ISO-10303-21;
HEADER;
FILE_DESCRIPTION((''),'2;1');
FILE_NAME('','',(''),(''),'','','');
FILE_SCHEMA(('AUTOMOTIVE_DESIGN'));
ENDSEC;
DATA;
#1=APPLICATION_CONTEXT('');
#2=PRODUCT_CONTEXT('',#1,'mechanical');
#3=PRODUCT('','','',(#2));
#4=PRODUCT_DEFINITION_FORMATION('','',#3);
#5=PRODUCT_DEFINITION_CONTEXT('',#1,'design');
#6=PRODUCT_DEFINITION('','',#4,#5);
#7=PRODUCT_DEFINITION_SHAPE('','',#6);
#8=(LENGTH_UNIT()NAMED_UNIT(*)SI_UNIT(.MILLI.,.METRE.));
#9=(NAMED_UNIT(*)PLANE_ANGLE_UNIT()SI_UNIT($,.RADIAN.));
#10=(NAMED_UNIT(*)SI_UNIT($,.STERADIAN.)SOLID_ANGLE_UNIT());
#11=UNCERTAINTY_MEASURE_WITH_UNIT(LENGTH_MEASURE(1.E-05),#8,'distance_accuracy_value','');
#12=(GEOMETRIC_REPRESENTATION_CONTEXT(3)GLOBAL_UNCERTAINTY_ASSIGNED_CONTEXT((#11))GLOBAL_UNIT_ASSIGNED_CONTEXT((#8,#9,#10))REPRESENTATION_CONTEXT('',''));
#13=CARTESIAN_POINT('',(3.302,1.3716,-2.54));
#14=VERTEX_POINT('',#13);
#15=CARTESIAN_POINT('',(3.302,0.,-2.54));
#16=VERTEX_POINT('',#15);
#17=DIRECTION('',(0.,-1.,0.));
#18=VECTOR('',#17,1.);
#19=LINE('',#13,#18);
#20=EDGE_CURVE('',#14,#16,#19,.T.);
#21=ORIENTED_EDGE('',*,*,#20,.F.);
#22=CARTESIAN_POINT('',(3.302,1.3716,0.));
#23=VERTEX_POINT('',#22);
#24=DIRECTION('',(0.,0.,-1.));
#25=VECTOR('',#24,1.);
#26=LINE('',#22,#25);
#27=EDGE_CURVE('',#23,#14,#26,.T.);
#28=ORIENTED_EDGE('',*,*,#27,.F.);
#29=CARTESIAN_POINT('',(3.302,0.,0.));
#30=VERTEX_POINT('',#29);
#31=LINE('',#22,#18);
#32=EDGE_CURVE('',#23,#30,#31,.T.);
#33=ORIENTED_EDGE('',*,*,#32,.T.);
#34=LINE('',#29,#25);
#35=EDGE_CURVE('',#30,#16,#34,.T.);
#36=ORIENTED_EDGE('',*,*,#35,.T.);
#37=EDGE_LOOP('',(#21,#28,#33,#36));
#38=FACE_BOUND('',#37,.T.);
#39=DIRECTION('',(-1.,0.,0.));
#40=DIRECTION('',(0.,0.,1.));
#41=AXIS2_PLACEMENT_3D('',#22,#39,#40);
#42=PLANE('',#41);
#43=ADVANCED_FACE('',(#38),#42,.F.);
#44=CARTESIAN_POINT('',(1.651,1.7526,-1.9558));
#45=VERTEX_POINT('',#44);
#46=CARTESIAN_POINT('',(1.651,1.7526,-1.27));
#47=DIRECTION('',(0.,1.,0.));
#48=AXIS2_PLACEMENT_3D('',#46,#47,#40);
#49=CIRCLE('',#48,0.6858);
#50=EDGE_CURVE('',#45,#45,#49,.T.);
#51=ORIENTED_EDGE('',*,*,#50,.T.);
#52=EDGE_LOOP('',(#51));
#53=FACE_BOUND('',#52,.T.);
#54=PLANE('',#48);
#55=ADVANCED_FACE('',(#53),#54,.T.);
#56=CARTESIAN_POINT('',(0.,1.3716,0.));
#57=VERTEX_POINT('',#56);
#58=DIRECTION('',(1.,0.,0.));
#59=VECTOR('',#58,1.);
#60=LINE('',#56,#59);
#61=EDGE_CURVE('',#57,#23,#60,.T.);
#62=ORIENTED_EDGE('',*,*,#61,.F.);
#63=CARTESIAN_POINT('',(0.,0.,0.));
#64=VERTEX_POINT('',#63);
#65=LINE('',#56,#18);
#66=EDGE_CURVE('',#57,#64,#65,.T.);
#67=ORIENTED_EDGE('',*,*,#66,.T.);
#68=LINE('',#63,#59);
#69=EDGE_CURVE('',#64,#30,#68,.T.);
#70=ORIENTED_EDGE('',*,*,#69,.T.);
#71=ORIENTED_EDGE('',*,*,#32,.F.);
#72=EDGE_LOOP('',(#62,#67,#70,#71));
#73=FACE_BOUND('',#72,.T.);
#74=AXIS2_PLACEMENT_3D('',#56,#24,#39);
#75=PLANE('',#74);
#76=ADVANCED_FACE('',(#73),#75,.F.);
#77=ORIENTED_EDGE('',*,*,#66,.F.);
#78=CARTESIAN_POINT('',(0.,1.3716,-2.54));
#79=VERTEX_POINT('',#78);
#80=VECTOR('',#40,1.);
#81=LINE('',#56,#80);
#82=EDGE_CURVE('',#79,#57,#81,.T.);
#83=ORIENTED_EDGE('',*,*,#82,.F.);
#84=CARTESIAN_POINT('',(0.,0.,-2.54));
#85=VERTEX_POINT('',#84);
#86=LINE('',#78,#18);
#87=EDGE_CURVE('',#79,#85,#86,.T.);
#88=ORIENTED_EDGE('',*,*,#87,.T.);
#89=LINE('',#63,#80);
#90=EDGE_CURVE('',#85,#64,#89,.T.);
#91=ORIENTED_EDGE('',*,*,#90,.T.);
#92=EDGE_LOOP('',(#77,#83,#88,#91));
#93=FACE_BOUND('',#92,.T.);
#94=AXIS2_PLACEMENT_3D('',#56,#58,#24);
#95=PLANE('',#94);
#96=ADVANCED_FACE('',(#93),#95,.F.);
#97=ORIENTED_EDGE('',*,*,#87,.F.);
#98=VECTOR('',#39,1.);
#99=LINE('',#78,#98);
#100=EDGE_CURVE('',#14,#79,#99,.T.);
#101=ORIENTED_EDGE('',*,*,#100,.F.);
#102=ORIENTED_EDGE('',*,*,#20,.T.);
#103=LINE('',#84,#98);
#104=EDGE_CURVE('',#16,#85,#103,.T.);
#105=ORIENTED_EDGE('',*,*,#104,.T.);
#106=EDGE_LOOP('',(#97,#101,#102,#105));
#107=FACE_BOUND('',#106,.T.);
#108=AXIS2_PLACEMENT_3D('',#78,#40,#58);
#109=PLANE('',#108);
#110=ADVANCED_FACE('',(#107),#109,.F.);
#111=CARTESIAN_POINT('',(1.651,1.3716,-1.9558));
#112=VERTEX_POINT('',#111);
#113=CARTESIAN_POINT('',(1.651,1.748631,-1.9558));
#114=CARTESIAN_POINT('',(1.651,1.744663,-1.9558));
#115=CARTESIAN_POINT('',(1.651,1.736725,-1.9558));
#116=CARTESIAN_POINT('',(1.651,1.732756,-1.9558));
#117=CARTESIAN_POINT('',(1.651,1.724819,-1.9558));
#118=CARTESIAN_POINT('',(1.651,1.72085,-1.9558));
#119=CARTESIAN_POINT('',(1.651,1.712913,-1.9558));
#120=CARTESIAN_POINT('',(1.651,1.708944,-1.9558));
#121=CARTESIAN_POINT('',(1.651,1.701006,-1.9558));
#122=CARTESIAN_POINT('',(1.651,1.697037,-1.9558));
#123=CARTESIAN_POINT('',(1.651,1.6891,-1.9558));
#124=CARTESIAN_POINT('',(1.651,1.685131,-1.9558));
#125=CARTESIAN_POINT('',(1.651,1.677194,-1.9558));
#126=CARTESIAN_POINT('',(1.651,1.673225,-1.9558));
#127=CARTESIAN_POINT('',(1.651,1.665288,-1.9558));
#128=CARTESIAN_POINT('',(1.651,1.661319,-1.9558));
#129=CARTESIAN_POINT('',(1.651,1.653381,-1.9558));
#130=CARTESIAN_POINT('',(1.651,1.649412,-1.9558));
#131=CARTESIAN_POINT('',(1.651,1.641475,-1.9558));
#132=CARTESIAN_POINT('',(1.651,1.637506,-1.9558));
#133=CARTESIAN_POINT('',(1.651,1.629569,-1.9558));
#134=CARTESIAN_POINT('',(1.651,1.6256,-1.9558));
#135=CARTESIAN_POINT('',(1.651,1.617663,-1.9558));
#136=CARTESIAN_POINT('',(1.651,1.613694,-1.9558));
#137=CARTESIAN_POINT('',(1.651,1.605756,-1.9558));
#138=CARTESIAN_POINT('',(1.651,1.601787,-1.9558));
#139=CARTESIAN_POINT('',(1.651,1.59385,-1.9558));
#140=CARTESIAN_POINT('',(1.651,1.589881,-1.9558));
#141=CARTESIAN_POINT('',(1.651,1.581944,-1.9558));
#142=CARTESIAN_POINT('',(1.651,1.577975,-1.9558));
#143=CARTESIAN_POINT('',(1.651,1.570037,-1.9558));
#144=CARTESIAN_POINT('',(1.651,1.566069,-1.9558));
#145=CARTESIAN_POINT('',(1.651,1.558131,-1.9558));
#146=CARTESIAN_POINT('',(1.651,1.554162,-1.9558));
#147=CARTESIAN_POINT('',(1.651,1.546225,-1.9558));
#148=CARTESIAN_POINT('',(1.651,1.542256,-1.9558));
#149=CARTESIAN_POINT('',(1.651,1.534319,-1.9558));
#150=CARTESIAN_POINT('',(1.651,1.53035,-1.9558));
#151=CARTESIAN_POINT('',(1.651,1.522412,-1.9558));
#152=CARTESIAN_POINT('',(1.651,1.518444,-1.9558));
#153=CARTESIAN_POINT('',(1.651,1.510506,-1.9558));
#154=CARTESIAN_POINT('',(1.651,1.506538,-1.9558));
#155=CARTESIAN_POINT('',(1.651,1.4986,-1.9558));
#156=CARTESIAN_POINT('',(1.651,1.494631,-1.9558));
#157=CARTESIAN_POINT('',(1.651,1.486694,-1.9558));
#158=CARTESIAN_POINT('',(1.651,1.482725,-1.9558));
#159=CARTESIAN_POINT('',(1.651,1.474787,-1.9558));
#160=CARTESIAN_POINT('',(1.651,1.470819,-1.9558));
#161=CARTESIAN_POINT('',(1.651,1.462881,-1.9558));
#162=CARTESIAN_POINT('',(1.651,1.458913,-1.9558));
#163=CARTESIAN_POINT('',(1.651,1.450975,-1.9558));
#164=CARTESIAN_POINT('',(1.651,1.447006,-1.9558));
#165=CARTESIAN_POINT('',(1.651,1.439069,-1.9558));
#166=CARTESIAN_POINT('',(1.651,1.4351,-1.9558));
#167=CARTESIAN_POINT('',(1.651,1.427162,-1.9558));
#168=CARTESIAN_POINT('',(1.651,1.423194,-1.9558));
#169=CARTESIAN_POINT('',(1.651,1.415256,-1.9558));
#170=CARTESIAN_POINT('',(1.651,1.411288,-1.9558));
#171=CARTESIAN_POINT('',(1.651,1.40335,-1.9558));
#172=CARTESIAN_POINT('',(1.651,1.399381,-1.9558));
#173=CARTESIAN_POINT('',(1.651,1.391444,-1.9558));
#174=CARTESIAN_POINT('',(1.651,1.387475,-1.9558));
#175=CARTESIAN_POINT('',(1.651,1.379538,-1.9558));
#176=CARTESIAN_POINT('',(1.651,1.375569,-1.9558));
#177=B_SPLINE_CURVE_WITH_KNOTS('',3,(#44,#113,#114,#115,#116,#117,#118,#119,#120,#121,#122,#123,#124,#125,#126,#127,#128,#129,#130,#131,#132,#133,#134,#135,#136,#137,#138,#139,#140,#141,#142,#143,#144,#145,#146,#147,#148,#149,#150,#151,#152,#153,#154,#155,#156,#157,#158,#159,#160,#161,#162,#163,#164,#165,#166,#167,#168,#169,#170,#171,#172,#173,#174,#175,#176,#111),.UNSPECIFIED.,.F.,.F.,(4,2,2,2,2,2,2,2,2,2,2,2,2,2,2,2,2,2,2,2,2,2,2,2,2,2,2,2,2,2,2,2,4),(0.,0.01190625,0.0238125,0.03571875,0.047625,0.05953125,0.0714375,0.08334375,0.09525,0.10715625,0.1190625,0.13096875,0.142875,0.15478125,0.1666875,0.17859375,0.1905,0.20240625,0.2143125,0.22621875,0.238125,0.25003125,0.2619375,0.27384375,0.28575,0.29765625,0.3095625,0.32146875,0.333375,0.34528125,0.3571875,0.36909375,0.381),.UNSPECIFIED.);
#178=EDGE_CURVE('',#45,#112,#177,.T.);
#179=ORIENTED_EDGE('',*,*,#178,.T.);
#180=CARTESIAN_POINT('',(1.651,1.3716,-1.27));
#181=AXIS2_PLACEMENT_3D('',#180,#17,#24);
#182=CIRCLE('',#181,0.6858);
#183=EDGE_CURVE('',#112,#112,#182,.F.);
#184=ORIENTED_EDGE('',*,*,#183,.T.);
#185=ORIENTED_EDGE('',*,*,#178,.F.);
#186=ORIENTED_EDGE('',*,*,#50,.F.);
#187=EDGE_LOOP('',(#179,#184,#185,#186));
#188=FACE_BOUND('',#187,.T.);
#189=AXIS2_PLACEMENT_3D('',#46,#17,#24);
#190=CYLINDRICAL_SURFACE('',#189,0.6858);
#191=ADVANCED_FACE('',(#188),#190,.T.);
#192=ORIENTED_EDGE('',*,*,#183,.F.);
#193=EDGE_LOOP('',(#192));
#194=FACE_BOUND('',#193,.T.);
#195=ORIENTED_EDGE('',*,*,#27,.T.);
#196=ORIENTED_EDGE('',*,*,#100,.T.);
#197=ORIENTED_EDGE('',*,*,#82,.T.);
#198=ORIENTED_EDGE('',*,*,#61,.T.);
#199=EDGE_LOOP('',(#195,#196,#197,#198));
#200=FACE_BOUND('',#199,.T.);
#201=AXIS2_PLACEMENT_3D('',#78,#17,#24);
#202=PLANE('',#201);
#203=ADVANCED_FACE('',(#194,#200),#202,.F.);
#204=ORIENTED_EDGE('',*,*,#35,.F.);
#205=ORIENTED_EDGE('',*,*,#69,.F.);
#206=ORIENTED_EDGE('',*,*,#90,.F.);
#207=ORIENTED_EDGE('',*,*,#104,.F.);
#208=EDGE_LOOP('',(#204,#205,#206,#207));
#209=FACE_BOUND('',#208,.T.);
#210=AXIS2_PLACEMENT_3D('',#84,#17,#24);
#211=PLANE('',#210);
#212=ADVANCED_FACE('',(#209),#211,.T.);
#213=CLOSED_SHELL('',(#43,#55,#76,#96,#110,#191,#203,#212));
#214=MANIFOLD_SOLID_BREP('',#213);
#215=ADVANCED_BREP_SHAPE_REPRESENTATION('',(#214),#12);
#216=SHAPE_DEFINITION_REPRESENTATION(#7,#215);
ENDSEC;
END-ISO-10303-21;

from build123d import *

# Parameters (mm, degrees)
SKETCH1_W           = 3.302
SKETCH1_H           = 2.54
BOSS_EXTRUDE1_DEPTH = 1.3716
SKETCH2_R           = 0.6858
BOSS_EXTRUDE2_DEPTH = 0.381


with BuildPart() as part:
    # Sketch1 → Boss-Extrude1 (new body)
    with BuildSketch(Plane(origin=(0, 0, 0), x_dir=(1, 0, 0), z_dir=(0, 1, 0))):
        with Locations((1.651, 1.27)):
            Rectangle(SKETCH1_W, SKETCH1_H)
    extrude(amount=BOSS_EXTRUDE1_DEPTH)

    # Sketch2 → Boss-Extrude2 (add)
    with BuildSketch(Plane(origin=(0, 1.3716, 0), x_dir=(1, 0, 0), z_dir=(0, 1, 0))):
        with Locations(Location((1.651, 1.27, 0), (0, 0, 90))):
            Circle(SKETCH2_R)
    extrude(amount=BOSS_EXTRUDE2_DEPTH)


solid = part.part
